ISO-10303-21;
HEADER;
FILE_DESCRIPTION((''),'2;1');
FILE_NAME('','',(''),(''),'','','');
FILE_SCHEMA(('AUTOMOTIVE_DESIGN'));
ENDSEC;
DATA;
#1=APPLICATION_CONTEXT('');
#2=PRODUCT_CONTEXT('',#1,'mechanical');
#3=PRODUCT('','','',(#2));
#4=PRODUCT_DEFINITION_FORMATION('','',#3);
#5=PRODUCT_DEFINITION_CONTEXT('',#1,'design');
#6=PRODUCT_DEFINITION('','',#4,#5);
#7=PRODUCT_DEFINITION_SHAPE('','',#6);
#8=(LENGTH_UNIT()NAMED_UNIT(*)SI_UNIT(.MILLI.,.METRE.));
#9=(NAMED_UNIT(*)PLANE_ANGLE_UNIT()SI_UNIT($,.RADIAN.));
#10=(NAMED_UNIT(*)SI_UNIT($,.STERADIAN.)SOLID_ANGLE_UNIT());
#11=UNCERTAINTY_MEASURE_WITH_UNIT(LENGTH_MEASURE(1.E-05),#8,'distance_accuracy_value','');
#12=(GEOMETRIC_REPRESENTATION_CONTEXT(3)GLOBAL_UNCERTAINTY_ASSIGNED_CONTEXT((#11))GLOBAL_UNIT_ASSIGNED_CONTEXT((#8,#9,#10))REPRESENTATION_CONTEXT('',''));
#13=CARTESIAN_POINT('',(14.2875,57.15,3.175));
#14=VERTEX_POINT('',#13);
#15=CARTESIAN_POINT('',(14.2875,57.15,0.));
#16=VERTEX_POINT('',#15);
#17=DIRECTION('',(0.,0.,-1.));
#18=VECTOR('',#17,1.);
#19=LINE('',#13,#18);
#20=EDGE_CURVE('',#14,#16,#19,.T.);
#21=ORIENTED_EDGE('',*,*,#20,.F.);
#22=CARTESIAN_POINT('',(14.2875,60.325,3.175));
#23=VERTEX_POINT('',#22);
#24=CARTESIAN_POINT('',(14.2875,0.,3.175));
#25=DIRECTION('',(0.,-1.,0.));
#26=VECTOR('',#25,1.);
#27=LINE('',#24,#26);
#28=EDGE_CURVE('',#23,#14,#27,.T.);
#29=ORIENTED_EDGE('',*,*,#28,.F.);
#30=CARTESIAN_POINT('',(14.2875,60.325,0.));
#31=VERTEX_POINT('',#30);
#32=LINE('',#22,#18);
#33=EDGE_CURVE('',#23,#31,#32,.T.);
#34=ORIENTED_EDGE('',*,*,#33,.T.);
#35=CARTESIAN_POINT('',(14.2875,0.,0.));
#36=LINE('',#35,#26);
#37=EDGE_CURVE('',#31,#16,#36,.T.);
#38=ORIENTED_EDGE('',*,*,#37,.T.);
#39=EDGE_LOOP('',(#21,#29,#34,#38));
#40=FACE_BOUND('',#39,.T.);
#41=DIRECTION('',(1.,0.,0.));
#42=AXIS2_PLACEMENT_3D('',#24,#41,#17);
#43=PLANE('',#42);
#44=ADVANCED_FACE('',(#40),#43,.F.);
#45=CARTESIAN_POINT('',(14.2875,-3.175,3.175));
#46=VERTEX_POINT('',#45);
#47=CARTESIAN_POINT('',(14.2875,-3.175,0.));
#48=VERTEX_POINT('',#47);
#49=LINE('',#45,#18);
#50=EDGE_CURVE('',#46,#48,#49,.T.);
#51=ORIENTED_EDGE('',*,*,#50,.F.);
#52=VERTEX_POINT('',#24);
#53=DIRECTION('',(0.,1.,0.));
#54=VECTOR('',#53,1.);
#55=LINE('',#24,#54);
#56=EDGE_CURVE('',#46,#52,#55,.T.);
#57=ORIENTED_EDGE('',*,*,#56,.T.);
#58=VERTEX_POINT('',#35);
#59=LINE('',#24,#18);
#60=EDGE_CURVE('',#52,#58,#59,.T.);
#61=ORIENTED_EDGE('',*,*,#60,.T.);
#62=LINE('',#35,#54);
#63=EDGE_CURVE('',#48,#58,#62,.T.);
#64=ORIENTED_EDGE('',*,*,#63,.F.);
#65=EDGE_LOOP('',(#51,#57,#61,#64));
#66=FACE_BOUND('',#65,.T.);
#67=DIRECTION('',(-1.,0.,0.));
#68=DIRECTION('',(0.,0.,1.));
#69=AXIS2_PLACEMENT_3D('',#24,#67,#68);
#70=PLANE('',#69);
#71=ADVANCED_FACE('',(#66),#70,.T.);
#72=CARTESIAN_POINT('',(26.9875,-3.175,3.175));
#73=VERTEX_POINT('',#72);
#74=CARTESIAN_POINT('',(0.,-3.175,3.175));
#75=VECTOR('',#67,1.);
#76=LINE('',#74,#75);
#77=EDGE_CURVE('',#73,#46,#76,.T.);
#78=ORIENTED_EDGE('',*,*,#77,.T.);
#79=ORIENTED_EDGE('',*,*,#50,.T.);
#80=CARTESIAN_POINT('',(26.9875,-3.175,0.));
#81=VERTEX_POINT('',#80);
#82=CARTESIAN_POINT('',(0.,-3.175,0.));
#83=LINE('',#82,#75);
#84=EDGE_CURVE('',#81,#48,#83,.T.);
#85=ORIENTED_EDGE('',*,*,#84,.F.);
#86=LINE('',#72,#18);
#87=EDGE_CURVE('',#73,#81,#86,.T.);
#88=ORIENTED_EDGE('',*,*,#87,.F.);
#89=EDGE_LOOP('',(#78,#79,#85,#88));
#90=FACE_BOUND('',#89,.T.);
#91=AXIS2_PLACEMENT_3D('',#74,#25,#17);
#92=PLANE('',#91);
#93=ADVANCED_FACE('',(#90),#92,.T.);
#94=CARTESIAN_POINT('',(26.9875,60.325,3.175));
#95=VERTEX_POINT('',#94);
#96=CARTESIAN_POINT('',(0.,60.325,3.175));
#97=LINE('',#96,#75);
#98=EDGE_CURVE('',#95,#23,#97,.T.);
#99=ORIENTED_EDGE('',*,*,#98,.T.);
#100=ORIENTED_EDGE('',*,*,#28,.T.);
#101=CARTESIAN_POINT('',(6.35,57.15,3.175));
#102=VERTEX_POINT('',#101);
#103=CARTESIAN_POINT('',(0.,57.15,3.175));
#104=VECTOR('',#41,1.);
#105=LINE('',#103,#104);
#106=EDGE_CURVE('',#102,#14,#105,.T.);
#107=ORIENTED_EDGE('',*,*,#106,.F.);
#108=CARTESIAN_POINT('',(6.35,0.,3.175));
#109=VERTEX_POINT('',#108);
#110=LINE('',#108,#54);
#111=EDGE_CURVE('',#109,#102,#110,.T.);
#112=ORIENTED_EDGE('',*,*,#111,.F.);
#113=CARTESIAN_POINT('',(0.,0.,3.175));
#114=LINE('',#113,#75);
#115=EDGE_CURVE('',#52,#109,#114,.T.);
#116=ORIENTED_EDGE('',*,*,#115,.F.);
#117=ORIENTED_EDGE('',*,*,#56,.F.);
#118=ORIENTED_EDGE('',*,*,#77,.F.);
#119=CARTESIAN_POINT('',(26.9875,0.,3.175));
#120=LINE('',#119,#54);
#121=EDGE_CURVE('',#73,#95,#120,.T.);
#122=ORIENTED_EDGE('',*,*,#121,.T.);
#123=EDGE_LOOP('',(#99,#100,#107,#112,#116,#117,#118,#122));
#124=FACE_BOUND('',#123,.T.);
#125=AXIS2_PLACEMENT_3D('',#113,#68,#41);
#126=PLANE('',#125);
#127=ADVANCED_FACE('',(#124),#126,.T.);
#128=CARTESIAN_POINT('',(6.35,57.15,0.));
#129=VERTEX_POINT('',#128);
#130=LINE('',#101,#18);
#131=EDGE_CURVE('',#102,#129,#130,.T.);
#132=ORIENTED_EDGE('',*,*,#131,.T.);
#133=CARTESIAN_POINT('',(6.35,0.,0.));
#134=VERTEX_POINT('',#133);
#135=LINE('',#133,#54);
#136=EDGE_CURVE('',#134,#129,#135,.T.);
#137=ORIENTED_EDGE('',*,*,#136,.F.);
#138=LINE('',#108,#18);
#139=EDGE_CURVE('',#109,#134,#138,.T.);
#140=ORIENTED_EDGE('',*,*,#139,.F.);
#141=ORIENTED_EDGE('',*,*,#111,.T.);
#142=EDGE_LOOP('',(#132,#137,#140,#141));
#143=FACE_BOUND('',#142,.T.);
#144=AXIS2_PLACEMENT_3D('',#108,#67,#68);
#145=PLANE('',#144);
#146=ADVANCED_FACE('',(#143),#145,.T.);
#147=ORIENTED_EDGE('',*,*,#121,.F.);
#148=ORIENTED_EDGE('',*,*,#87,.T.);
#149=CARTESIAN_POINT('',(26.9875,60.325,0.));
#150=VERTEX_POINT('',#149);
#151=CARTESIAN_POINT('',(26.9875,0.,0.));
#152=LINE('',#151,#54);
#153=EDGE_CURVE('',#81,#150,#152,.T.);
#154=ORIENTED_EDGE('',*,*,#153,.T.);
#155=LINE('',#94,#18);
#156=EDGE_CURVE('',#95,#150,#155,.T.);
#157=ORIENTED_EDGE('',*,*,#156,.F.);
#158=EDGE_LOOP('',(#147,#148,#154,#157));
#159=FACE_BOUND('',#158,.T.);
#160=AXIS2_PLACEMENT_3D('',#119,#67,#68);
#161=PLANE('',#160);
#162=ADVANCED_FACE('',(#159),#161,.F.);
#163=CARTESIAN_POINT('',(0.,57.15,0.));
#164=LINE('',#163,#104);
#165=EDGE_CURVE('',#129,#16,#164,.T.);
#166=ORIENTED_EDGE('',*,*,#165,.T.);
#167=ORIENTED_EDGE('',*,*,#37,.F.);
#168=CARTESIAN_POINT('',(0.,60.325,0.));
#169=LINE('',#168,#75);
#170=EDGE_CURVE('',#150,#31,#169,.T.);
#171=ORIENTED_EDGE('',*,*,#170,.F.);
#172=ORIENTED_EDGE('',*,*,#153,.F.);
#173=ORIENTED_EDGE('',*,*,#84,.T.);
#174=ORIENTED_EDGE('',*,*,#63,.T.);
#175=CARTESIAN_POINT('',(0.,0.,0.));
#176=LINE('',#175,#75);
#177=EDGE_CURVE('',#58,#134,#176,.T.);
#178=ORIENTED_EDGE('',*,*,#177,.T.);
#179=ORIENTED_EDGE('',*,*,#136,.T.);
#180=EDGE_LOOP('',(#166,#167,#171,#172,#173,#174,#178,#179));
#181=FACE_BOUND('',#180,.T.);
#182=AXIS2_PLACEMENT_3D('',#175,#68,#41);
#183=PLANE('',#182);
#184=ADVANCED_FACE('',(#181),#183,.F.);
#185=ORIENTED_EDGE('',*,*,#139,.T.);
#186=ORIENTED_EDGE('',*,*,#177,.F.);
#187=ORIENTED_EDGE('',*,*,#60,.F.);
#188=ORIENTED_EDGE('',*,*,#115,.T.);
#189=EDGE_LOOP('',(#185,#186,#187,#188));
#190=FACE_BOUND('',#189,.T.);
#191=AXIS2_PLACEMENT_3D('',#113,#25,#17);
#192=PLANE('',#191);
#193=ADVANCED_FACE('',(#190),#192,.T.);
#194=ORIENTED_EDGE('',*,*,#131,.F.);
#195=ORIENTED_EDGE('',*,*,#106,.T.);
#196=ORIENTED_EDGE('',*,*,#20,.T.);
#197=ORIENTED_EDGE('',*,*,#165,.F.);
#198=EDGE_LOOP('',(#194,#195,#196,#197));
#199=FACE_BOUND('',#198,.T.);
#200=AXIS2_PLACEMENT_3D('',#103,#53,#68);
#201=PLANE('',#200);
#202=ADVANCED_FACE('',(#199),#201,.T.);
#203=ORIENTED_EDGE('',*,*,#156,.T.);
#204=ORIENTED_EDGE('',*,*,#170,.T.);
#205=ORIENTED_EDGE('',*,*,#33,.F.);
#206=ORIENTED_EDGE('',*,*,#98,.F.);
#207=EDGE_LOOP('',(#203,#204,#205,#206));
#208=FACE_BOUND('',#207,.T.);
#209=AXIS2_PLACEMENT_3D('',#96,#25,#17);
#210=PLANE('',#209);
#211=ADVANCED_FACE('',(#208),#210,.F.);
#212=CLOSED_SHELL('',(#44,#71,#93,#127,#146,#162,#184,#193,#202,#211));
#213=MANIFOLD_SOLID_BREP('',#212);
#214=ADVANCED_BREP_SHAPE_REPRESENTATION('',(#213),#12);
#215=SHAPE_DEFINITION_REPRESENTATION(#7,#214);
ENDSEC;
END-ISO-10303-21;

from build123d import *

# Parameters (mm, degrees)
BOSS_EXTRUDE1_DEPTH = 3.175


with BuildPart() as part:
    # Sketch1 → Boss-Extrude1 (new body)
    with BuildSketch(Plane.XY):
        Polygon((14.2875, -3.175), (26.9875, -3.175), (26.9875, 60.325), (14.2875, 60.325), (14.2875, 57.15), (6.35, 57.15), (6.35, 0), (14.2875, 0), align=None)
    extrude(amount=BOSS_EXTRUDE1_DEPTH)


solid = part.part
